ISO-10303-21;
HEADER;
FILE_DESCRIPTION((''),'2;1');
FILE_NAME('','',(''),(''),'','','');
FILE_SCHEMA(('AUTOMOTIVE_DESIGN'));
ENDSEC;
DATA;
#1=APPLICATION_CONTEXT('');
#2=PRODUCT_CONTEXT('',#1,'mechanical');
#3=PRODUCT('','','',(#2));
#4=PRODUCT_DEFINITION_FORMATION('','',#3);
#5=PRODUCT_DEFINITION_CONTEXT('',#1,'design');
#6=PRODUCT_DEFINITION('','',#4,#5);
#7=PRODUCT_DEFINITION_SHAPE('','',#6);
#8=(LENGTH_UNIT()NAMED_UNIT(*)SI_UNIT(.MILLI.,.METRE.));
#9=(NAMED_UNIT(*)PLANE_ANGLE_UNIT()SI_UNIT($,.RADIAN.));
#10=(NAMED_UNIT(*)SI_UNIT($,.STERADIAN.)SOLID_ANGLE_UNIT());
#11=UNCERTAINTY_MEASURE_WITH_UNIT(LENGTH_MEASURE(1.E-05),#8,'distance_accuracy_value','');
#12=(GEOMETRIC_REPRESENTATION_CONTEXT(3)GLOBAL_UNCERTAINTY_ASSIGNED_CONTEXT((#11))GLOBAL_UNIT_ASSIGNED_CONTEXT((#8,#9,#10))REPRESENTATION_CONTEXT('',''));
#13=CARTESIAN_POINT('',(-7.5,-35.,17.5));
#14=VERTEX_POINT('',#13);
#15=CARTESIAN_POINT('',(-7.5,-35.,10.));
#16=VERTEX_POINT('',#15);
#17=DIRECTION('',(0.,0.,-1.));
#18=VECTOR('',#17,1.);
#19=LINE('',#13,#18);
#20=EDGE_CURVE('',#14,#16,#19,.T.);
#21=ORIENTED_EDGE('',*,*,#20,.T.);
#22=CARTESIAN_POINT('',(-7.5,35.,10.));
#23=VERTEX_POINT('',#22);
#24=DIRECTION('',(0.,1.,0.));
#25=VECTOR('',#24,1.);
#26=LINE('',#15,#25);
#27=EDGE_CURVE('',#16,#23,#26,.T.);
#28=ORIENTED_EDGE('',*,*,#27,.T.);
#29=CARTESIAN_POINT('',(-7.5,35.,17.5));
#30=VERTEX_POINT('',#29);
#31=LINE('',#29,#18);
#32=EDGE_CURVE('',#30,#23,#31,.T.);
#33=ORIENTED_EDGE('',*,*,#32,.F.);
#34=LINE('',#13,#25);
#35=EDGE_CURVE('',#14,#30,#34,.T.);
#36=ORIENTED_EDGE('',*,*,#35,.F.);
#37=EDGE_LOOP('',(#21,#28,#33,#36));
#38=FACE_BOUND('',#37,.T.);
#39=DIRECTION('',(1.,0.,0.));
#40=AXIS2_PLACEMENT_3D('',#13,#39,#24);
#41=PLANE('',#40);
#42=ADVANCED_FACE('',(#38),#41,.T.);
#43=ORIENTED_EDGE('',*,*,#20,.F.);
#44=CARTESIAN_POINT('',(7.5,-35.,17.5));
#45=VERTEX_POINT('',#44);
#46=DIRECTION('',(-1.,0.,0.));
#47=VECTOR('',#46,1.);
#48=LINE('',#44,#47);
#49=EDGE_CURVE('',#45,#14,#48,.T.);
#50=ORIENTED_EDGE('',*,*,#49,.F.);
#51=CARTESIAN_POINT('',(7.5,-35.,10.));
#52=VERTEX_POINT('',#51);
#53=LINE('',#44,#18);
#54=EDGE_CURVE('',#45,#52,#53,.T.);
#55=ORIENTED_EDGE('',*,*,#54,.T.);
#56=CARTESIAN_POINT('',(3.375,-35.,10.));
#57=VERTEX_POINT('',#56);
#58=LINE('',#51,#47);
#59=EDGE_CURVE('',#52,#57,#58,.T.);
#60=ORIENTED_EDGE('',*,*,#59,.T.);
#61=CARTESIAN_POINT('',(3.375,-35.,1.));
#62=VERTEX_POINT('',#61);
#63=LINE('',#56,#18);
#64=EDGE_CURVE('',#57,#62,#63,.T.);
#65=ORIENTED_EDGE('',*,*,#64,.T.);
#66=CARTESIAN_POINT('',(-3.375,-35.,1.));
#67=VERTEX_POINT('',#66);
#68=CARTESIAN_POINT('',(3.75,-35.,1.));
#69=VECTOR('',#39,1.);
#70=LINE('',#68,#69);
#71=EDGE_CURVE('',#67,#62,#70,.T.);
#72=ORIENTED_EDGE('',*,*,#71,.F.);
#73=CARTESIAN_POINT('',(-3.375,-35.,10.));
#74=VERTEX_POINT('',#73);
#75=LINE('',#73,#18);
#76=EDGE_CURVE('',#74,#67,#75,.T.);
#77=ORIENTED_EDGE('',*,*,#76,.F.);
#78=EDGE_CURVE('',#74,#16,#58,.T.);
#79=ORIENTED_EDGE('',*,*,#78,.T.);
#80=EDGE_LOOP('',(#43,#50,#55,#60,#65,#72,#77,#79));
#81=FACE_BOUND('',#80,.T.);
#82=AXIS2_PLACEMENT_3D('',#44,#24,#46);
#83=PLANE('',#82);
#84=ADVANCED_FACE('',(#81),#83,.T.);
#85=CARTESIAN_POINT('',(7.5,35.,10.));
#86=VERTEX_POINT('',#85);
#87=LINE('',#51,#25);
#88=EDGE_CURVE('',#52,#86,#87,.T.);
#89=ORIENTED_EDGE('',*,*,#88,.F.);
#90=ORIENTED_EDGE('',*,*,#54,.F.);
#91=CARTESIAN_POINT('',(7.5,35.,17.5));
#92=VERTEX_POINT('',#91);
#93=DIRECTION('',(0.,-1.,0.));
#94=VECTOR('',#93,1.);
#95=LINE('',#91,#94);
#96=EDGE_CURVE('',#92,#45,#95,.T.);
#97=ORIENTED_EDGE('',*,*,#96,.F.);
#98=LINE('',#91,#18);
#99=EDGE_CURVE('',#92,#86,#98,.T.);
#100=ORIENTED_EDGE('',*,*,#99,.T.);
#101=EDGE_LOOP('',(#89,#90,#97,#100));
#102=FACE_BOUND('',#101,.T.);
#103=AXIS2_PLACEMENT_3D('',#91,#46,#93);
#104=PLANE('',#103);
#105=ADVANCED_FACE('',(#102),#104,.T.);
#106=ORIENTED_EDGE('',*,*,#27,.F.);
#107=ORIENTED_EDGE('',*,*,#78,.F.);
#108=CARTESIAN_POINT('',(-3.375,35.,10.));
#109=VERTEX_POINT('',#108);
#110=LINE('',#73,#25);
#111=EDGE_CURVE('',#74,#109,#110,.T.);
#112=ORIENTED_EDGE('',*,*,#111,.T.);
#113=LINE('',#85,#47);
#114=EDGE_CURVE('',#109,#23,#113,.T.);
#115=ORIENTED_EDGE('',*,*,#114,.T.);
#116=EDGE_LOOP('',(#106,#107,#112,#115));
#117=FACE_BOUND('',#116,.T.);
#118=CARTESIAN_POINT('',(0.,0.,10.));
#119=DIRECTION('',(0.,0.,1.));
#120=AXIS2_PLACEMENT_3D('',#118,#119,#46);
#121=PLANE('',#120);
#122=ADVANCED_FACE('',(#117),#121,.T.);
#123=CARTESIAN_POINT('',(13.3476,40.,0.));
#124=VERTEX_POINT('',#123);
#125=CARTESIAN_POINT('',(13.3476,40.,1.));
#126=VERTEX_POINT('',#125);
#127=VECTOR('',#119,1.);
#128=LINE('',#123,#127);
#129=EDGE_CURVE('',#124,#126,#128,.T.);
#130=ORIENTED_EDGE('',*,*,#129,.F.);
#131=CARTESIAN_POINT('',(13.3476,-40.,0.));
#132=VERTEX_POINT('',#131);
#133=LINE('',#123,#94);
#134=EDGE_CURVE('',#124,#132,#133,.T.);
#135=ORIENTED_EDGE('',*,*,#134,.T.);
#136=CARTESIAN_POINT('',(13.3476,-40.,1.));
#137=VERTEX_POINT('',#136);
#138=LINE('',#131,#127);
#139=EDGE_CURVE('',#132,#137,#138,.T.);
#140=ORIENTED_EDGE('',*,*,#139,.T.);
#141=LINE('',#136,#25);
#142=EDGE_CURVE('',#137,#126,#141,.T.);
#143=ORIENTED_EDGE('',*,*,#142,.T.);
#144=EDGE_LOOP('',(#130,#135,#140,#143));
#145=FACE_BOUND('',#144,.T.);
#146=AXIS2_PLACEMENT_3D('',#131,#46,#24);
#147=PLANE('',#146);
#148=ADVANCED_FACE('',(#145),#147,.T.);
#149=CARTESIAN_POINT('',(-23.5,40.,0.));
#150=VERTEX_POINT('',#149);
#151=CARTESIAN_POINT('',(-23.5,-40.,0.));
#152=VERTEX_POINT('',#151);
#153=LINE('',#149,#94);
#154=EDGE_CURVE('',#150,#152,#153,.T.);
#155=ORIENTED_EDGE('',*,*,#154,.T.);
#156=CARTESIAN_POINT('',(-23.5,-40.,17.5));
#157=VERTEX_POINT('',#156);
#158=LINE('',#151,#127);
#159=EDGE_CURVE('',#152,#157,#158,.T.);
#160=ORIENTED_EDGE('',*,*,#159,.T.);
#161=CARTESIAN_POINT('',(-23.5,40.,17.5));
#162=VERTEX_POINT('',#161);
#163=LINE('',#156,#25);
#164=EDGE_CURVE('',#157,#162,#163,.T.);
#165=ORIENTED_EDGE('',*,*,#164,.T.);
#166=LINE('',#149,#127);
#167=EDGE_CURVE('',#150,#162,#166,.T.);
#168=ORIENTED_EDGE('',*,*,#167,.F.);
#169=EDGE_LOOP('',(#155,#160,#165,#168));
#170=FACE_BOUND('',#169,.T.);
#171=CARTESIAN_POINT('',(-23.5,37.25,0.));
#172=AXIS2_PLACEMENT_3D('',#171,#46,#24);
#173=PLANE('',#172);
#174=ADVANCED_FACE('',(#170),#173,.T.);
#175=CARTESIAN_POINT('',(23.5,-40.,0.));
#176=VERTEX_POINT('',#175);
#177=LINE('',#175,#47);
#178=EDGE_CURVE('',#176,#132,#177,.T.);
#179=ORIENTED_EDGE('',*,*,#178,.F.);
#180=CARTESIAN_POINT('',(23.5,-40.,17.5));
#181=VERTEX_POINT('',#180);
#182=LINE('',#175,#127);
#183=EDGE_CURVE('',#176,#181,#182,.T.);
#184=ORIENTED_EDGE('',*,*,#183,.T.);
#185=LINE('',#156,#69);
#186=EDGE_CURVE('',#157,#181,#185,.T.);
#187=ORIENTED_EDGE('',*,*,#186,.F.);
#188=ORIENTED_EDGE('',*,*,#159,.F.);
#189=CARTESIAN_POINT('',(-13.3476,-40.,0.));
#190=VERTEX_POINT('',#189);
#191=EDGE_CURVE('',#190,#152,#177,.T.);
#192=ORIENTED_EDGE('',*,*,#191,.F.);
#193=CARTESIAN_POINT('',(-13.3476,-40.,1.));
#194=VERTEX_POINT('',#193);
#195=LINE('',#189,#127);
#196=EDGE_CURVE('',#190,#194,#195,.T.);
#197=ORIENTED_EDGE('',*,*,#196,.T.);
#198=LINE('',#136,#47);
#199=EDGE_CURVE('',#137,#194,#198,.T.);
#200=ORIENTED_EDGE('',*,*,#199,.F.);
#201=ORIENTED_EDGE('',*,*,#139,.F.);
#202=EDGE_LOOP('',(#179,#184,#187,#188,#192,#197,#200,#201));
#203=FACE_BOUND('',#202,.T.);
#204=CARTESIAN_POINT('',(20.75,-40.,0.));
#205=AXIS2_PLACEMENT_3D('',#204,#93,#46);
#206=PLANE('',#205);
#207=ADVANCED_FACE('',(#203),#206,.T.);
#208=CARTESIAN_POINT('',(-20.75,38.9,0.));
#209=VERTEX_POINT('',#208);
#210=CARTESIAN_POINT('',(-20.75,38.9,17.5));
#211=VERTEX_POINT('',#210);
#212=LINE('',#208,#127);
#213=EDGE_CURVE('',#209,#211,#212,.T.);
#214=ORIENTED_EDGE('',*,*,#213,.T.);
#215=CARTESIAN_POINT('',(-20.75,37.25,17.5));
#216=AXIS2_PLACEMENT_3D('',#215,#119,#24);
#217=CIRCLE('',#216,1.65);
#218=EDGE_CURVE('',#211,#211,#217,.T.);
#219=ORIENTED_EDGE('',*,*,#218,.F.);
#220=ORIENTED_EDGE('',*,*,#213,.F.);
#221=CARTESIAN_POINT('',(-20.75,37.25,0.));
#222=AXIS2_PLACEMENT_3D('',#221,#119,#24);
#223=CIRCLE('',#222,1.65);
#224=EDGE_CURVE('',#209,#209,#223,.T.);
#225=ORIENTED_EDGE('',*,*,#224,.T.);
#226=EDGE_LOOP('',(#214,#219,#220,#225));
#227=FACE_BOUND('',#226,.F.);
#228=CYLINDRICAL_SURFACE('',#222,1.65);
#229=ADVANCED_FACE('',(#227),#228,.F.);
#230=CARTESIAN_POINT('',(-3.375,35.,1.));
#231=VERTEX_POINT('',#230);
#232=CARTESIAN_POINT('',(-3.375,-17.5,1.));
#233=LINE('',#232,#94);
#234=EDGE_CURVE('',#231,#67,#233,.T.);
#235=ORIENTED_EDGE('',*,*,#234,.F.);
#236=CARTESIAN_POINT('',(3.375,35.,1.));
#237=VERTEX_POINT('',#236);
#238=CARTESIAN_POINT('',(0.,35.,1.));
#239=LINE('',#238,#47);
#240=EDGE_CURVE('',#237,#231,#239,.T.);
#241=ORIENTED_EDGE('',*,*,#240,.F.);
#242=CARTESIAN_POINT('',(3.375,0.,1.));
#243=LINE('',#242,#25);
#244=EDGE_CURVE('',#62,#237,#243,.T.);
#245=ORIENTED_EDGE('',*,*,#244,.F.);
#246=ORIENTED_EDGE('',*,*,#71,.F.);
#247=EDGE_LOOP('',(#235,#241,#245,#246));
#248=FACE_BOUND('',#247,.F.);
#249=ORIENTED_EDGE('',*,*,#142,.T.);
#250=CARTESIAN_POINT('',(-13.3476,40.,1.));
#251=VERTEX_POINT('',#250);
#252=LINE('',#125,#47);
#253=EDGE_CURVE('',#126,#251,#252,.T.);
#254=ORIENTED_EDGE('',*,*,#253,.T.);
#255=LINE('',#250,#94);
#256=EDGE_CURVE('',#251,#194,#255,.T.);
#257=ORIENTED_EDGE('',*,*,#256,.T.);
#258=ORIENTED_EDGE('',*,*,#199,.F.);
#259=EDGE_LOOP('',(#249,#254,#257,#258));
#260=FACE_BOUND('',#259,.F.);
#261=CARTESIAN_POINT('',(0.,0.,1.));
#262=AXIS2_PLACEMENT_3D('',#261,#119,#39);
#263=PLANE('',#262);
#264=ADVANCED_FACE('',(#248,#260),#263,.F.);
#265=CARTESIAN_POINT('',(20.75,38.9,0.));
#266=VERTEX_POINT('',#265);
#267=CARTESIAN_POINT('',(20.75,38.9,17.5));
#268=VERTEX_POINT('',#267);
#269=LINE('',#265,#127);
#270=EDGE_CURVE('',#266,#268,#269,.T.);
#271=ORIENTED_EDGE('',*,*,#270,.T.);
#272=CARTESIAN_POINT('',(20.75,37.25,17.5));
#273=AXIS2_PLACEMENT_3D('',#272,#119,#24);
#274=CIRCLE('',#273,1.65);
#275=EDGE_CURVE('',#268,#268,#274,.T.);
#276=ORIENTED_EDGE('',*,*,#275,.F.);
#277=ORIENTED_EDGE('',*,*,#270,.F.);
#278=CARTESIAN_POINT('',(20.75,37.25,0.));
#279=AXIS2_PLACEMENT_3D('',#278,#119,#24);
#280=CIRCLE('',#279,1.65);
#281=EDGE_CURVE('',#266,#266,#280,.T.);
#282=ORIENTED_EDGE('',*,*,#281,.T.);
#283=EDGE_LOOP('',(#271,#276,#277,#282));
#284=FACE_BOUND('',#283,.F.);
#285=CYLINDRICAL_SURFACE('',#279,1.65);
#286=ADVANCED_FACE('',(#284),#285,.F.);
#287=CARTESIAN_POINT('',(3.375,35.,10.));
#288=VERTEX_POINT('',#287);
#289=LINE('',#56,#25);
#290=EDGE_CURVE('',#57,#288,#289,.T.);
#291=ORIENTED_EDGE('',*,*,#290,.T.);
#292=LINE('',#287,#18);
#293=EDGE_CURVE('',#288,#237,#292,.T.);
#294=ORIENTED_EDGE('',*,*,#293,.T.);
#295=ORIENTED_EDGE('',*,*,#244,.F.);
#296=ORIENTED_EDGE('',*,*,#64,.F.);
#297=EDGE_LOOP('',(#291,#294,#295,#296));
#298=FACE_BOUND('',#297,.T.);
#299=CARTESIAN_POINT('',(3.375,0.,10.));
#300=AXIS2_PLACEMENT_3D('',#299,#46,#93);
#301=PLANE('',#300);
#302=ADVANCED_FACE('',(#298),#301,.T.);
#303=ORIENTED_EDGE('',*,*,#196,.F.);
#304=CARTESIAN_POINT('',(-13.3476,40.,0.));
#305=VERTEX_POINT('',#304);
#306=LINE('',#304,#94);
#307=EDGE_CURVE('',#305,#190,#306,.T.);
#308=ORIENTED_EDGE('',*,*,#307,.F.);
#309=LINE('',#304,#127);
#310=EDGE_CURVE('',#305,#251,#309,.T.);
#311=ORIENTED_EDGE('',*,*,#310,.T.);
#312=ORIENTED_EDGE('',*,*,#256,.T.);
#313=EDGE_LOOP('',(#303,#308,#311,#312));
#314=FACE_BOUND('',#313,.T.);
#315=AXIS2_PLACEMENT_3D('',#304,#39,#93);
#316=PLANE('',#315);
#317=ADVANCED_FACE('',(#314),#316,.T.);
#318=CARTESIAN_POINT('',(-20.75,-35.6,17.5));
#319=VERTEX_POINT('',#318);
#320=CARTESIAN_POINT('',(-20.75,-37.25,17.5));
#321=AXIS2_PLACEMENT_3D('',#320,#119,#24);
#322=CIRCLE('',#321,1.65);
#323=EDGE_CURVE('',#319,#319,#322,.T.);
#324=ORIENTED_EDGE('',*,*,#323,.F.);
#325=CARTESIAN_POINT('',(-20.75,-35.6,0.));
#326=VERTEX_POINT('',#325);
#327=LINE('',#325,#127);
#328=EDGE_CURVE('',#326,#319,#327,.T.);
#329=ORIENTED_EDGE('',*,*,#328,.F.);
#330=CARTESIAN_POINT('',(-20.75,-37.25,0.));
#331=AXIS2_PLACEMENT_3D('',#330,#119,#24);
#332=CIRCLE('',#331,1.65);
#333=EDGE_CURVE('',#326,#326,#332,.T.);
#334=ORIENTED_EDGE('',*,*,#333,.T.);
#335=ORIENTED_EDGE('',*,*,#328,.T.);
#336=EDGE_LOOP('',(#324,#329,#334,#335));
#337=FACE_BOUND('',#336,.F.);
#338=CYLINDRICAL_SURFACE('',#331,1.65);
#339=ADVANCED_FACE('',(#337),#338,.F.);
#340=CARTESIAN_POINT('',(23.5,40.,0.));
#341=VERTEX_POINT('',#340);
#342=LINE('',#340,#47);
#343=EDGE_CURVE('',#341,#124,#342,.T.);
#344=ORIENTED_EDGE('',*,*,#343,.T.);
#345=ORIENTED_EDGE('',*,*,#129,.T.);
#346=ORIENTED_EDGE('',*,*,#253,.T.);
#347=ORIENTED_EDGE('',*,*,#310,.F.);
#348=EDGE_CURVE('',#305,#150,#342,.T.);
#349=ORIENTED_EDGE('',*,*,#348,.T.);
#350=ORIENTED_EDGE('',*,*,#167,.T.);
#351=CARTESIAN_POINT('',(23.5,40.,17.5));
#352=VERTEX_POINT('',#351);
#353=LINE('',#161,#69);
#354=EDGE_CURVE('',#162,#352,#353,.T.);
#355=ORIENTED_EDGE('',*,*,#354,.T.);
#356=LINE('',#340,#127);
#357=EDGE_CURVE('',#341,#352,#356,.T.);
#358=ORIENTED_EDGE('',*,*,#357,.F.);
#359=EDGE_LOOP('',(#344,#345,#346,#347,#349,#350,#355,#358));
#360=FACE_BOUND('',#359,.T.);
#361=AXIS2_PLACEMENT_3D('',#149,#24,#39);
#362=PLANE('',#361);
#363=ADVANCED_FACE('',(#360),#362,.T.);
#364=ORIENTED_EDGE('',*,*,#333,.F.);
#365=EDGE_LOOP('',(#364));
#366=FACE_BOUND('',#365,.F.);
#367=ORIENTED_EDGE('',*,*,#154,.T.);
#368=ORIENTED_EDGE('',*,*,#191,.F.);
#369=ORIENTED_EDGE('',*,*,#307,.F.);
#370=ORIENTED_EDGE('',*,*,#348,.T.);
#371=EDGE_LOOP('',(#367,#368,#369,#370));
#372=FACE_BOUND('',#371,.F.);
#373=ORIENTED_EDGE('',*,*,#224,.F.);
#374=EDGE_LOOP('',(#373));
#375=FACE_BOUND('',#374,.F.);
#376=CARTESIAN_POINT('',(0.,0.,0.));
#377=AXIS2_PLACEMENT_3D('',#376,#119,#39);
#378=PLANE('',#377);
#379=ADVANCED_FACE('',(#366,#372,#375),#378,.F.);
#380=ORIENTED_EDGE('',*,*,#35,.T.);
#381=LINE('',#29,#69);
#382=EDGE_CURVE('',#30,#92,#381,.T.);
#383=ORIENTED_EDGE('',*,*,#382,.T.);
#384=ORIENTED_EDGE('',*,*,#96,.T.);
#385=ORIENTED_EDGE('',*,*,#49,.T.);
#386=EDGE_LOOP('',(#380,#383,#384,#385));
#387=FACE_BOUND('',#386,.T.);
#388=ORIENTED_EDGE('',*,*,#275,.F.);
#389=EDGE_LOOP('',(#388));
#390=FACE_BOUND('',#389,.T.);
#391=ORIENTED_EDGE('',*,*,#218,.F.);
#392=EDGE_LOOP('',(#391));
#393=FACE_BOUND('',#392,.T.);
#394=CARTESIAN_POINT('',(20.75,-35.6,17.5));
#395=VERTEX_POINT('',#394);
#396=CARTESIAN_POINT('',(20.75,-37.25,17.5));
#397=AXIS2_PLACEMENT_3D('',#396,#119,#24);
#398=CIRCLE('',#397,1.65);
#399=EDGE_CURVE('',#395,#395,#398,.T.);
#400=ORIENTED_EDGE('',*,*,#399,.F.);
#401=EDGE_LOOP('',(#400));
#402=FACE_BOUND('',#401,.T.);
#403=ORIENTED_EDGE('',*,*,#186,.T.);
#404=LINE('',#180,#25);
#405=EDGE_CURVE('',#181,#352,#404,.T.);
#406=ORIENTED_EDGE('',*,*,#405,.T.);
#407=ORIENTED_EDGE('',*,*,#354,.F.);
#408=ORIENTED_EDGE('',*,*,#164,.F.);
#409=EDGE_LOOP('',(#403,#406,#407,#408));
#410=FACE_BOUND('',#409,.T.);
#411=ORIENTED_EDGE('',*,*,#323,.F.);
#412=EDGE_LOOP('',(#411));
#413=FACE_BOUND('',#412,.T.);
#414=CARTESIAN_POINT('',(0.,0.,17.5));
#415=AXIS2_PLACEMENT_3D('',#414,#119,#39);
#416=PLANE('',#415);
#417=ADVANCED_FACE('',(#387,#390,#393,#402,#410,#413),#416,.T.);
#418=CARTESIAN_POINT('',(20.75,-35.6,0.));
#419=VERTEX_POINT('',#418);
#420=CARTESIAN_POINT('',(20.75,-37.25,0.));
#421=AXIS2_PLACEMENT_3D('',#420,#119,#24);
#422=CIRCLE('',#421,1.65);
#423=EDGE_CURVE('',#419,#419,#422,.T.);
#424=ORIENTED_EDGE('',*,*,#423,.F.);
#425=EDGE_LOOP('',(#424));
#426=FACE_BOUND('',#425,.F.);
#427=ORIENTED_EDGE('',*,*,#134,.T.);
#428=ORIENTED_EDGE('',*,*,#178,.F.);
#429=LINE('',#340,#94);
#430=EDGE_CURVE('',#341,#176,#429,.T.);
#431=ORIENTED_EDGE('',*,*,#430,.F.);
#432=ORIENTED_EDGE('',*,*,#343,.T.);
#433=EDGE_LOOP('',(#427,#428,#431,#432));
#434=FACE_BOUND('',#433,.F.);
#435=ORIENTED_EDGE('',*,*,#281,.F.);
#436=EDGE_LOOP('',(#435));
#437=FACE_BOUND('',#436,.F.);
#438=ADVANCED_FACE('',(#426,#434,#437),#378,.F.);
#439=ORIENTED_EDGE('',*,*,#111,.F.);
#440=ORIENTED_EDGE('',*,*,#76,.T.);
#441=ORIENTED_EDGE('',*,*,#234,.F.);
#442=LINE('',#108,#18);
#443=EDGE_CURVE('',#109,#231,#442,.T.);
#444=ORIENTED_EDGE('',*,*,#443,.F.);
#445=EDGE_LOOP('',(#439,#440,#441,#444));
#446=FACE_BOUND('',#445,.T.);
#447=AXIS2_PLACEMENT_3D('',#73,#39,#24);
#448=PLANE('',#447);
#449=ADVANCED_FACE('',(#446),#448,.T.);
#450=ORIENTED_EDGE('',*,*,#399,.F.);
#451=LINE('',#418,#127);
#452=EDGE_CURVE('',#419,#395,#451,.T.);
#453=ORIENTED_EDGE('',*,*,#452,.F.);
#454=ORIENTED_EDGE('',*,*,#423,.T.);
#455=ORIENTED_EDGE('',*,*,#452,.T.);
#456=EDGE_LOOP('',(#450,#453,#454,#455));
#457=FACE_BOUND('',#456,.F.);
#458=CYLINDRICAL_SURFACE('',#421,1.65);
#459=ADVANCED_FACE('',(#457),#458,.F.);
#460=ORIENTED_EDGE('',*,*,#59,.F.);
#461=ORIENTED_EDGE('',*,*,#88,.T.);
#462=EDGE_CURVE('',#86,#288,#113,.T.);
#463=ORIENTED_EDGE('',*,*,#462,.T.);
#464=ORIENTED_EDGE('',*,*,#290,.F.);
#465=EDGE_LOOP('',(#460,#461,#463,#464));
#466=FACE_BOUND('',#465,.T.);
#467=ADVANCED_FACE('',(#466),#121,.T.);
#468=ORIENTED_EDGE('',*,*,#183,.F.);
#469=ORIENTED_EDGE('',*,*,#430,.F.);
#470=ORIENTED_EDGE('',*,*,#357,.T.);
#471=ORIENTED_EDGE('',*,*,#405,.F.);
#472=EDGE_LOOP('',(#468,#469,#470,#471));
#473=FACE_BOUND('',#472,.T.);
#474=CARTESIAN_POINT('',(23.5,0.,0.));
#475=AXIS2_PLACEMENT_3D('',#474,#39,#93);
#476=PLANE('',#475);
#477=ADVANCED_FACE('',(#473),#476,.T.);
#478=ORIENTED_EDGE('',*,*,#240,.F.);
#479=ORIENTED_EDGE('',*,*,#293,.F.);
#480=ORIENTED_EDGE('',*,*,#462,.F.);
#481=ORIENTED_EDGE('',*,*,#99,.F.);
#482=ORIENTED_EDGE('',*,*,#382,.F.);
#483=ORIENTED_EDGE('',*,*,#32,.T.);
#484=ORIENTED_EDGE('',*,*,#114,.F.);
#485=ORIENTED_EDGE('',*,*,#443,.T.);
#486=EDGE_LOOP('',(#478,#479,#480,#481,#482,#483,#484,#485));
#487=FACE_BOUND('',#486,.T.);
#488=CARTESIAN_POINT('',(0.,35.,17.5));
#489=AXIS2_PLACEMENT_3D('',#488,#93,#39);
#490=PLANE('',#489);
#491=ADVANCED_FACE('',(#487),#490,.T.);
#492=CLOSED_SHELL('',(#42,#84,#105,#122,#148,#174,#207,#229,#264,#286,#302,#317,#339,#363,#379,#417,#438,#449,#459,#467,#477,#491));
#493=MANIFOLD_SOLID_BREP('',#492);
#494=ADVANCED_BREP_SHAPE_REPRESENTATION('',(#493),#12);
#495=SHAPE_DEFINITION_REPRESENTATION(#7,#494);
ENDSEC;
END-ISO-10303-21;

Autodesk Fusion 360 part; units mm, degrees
sketch "Sketch1" plane through (0, 0, 0) normal (0, 0, 1) x (1, 0, 0)
  line L0 (-23.5, 40) -> (23.5, 40)
  line L1 (23.5, 40) -> (23.5, -40)
  line L2 (23.5, -40) -> (-23.5, -40)
  line L3 (-23.5, -40) -> (-23.5, 40)
  line L4 (0, 40) -> (0, 0)
  line L5 (0, 0) -> (23.5, 0)
  line L6 (-20.75, 37.25) -> (-23.5, 37.25)
  line L7 (-20.75, -37.25) -> (-23.5, -37.25)
  line L8 (20.75, -37.25) -> (23.5, -37.25)
  line L9 (20.75, 37.25) -> (23.5, 37.25)
  line L10 (-20.75, 37.25) -> (-20.75, 40)
  line L11 (20.75, 37.25) -> (20.75, 40)
  line L12 (20.75, -37.25) -> (20.75, -40)
  line L13 (-20.75, -37.25) -> (-20.75, -40)
  point P0 (-20.75, 37.25)
  point P1 (20.75, 37.25)
  point P2 (20.75, -37.25)
  point P3 (-20.75, -37.25)
  dimension "d2" = 47
  dimension "d3" = 80
  dimension "d4" = 2.75
extrude "Extrude1" add sketch "Sketch1" along normal blind 17.5
hole "Hole1" at (-20.75, 37.25, 0) at (20.75, 37.25, 0) at (-20.75, -37.25, 0) at (20.75, -37.25, 0) direction (0, 0, 1) diameter 3.3 end through all
sketch "Sketch2" plane through (0, 0, 17.5) normal (0, 0, 1) x (-1, 0, 0)
  circle A0 centre (20.75, 37.25) radius 1.65
  circle A1 centre (20.75, -37.25) radius 1.65
  circle A2 centre (-20.75, -37.25) radius 1.65
  circle A3 centre (-20.75, 37.25) radius 1.65
  line L0 (23.5, 40) -> (-23.5, 40)
  line L1 (-23.5, 40) -> (-23.5, -40)
  line L2 (-23.5, -40) -> (23.5, -40)
  line L3 (23.5, -40) -> (23.5, 40)
  line L4 (0, 0) -> (-7.5, 0)
  line L5 (0, 0) -> (0, -35)
  line L6 (7.5, -35) -> (-7.5, -35)
  line L7 (-7.5, -35) -> (-7.5, 35)
  line L8 (-7.5, 35) -> (7.5, 35)
  line L9 (7.5, 35) -> (7.5, -35)
  dimension "d12" = 15
  dimension "d13" = 70
extrude "Extrude2" cut sketch "Sketch2" against normal blind 7.5 contours L4 L5 L6 L7 | L4 L5 L6 L7 L8 L9
sketch "Sketch3" plane through (0, 0, 10) normal (0, 0, 1) x (-1, 0, 0)
  line L0 (7.5, 35) -> (-7.5, 35)
  line L1 (-7.5, 35) -> (-7.5, -35)
  line L2 (-7.5, -35) -> (7.5, -35)
  line L3 (7.5, -35) -> (7.5, 35)
  line L4 (0, 0) -> (0, -35)
  line L5 (0, 0) -> (-3.375, 0)
  line L6 (3.375, -35) -> (-3.375, -35)
  line L7 (-3.375, -35) -> (-3.375, 35)
  line L8 (-3.375, 35) -> (3.375, 35)
  line L9 (3.375, 35) -> (3.375, -35)
  dimension "d16" = 70
  dimension "d17" = 6.75
extrude "Extrude3" cut sketch "Sketch3" against normal through all contours L0 L2 L4 L5 L6 L7 L8 L9 | L2 L4 L5 L6 L7
sketch "Sketch4" plane through (0, 0, 0) normal (0, 0, 1) x (1, 0, 0)
  line L0 (0, 0) -> (13.3476, 0)
  line L1 (0, 0) -> (0, -40)
  line L2 (-13.3476, -40) -> (13.3476, -40)
  line L3 (13.3476, -40) -> (13.3476, 40)
  line L4 (13.3476, 40) -> (-13.3476, 40)
  line L5 (-13.3476, 40) -> (-13.3476, -40)
extrude "Extrude4" cut sketch "Sketch4" along normal blind 1
